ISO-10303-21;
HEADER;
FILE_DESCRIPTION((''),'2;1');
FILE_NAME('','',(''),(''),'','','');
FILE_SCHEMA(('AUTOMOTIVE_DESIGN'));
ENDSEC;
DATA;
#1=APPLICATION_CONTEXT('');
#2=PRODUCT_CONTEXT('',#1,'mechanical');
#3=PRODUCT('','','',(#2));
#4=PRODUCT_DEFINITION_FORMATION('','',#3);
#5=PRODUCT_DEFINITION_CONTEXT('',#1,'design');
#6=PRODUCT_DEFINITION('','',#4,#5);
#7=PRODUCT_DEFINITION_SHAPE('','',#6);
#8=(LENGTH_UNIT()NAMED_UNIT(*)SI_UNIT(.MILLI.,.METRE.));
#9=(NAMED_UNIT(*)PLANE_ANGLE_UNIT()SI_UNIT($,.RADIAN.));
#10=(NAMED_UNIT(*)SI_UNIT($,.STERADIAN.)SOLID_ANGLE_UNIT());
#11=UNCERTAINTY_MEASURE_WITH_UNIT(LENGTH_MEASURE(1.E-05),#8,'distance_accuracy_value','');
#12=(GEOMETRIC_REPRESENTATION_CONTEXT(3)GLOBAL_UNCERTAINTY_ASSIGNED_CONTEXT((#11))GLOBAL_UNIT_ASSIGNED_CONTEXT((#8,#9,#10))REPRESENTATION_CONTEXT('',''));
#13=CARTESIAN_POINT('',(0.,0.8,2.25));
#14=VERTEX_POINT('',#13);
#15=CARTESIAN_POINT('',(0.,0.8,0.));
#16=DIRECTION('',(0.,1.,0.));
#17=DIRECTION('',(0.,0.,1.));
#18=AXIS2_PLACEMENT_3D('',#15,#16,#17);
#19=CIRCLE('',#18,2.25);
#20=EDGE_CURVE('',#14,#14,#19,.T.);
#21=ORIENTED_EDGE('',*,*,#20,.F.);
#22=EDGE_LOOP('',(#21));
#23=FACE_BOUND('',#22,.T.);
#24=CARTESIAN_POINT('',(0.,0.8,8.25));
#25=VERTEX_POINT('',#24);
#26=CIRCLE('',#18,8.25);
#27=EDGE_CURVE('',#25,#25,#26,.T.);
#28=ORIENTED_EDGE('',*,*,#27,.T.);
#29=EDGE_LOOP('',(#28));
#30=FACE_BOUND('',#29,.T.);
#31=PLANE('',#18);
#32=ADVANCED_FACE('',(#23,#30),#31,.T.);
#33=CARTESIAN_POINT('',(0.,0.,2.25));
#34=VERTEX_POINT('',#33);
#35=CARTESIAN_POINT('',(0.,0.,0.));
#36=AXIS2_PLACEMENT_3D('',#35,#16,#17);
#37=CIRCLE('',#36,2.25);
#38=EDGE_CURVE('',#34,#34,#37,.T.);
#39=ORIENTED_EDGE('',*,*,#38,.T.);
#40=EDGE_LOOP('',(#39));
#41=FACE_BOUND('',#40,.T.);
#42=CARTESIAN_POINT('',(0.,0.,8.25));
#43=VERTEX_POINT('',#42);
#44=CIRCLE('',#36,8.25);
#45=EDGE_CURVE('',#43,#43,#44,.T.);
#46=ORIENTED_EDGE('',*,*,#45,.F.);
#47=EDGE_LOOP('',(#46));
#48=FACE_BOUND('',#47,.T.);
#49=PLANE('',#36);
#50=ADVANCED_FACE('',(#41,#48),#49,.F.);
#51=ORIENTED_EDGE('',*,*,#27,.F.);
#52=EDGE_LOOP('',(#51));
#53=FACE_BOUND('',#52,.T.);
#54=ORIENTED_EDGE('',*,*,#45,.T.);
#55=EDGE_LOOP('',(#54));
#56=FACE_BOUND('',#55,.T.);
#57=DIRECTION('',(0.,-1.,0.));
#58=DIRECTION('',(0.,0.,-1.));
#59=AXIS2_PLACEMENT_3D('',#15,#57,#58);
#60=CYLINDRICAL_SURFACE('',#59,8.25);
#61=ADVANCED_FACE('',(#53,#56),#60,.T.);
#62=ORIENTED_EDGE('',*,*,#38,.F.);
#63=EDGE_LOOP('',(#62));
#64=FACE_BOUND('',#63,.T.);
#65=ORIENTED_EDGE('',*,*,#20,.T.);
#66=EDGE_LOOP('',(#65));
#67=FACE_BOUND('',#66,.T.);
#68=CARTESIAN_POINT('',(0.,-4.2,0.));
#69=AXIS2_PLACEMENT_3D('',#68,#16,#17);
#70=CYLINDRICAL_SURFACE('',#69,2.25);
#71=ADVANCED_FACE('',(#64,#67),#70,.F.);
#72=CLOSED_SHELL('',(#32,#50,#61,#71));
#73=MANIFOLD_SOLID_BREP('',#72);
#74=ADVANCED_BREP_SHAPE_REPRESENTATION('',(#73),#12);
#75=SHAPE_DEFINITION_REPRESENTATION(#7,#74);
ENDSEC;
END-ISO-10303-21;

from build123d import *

# Parameters (mm, degrees)
SKETCH1_R           = 8.25
BOSS_EXTRUDE1_DEPTH = 0.8
SKETCH2_R           = 2.25
CUT_EXTRUDE1_DEPTH  = 5


with BuildPart() as part:
    # Sketch1 → Boss-Extrude1 (new body)
    with BuildSketch(Plane(origin=(0, 0, 0), x_dir=(1, 0, 0), z_dir=(0, 1, 0))):
        with Locations(Location((0, 0, 0), (0, 0, 270))):
            Circle(SKETCH1_R)
    extrude(amount=BOSS_EXTRUDE1_DEPTH)

    # Sketch2 → Cut-Extrude1 (cut)
    with BuildSketch(Plane(origin=(0, 0.8, 0), x_dir=(1, 0, 0), z_dir=(0, 1, 0))):
        with Locations(Location((0, 0, 0), (0, 0, 270))):
            Circle(SKETCH2_R)
    extrude(amount=-CUT_EXTRUDE1_DEPTH, mode=Mode.SUBTRACT)


solid = part.part
